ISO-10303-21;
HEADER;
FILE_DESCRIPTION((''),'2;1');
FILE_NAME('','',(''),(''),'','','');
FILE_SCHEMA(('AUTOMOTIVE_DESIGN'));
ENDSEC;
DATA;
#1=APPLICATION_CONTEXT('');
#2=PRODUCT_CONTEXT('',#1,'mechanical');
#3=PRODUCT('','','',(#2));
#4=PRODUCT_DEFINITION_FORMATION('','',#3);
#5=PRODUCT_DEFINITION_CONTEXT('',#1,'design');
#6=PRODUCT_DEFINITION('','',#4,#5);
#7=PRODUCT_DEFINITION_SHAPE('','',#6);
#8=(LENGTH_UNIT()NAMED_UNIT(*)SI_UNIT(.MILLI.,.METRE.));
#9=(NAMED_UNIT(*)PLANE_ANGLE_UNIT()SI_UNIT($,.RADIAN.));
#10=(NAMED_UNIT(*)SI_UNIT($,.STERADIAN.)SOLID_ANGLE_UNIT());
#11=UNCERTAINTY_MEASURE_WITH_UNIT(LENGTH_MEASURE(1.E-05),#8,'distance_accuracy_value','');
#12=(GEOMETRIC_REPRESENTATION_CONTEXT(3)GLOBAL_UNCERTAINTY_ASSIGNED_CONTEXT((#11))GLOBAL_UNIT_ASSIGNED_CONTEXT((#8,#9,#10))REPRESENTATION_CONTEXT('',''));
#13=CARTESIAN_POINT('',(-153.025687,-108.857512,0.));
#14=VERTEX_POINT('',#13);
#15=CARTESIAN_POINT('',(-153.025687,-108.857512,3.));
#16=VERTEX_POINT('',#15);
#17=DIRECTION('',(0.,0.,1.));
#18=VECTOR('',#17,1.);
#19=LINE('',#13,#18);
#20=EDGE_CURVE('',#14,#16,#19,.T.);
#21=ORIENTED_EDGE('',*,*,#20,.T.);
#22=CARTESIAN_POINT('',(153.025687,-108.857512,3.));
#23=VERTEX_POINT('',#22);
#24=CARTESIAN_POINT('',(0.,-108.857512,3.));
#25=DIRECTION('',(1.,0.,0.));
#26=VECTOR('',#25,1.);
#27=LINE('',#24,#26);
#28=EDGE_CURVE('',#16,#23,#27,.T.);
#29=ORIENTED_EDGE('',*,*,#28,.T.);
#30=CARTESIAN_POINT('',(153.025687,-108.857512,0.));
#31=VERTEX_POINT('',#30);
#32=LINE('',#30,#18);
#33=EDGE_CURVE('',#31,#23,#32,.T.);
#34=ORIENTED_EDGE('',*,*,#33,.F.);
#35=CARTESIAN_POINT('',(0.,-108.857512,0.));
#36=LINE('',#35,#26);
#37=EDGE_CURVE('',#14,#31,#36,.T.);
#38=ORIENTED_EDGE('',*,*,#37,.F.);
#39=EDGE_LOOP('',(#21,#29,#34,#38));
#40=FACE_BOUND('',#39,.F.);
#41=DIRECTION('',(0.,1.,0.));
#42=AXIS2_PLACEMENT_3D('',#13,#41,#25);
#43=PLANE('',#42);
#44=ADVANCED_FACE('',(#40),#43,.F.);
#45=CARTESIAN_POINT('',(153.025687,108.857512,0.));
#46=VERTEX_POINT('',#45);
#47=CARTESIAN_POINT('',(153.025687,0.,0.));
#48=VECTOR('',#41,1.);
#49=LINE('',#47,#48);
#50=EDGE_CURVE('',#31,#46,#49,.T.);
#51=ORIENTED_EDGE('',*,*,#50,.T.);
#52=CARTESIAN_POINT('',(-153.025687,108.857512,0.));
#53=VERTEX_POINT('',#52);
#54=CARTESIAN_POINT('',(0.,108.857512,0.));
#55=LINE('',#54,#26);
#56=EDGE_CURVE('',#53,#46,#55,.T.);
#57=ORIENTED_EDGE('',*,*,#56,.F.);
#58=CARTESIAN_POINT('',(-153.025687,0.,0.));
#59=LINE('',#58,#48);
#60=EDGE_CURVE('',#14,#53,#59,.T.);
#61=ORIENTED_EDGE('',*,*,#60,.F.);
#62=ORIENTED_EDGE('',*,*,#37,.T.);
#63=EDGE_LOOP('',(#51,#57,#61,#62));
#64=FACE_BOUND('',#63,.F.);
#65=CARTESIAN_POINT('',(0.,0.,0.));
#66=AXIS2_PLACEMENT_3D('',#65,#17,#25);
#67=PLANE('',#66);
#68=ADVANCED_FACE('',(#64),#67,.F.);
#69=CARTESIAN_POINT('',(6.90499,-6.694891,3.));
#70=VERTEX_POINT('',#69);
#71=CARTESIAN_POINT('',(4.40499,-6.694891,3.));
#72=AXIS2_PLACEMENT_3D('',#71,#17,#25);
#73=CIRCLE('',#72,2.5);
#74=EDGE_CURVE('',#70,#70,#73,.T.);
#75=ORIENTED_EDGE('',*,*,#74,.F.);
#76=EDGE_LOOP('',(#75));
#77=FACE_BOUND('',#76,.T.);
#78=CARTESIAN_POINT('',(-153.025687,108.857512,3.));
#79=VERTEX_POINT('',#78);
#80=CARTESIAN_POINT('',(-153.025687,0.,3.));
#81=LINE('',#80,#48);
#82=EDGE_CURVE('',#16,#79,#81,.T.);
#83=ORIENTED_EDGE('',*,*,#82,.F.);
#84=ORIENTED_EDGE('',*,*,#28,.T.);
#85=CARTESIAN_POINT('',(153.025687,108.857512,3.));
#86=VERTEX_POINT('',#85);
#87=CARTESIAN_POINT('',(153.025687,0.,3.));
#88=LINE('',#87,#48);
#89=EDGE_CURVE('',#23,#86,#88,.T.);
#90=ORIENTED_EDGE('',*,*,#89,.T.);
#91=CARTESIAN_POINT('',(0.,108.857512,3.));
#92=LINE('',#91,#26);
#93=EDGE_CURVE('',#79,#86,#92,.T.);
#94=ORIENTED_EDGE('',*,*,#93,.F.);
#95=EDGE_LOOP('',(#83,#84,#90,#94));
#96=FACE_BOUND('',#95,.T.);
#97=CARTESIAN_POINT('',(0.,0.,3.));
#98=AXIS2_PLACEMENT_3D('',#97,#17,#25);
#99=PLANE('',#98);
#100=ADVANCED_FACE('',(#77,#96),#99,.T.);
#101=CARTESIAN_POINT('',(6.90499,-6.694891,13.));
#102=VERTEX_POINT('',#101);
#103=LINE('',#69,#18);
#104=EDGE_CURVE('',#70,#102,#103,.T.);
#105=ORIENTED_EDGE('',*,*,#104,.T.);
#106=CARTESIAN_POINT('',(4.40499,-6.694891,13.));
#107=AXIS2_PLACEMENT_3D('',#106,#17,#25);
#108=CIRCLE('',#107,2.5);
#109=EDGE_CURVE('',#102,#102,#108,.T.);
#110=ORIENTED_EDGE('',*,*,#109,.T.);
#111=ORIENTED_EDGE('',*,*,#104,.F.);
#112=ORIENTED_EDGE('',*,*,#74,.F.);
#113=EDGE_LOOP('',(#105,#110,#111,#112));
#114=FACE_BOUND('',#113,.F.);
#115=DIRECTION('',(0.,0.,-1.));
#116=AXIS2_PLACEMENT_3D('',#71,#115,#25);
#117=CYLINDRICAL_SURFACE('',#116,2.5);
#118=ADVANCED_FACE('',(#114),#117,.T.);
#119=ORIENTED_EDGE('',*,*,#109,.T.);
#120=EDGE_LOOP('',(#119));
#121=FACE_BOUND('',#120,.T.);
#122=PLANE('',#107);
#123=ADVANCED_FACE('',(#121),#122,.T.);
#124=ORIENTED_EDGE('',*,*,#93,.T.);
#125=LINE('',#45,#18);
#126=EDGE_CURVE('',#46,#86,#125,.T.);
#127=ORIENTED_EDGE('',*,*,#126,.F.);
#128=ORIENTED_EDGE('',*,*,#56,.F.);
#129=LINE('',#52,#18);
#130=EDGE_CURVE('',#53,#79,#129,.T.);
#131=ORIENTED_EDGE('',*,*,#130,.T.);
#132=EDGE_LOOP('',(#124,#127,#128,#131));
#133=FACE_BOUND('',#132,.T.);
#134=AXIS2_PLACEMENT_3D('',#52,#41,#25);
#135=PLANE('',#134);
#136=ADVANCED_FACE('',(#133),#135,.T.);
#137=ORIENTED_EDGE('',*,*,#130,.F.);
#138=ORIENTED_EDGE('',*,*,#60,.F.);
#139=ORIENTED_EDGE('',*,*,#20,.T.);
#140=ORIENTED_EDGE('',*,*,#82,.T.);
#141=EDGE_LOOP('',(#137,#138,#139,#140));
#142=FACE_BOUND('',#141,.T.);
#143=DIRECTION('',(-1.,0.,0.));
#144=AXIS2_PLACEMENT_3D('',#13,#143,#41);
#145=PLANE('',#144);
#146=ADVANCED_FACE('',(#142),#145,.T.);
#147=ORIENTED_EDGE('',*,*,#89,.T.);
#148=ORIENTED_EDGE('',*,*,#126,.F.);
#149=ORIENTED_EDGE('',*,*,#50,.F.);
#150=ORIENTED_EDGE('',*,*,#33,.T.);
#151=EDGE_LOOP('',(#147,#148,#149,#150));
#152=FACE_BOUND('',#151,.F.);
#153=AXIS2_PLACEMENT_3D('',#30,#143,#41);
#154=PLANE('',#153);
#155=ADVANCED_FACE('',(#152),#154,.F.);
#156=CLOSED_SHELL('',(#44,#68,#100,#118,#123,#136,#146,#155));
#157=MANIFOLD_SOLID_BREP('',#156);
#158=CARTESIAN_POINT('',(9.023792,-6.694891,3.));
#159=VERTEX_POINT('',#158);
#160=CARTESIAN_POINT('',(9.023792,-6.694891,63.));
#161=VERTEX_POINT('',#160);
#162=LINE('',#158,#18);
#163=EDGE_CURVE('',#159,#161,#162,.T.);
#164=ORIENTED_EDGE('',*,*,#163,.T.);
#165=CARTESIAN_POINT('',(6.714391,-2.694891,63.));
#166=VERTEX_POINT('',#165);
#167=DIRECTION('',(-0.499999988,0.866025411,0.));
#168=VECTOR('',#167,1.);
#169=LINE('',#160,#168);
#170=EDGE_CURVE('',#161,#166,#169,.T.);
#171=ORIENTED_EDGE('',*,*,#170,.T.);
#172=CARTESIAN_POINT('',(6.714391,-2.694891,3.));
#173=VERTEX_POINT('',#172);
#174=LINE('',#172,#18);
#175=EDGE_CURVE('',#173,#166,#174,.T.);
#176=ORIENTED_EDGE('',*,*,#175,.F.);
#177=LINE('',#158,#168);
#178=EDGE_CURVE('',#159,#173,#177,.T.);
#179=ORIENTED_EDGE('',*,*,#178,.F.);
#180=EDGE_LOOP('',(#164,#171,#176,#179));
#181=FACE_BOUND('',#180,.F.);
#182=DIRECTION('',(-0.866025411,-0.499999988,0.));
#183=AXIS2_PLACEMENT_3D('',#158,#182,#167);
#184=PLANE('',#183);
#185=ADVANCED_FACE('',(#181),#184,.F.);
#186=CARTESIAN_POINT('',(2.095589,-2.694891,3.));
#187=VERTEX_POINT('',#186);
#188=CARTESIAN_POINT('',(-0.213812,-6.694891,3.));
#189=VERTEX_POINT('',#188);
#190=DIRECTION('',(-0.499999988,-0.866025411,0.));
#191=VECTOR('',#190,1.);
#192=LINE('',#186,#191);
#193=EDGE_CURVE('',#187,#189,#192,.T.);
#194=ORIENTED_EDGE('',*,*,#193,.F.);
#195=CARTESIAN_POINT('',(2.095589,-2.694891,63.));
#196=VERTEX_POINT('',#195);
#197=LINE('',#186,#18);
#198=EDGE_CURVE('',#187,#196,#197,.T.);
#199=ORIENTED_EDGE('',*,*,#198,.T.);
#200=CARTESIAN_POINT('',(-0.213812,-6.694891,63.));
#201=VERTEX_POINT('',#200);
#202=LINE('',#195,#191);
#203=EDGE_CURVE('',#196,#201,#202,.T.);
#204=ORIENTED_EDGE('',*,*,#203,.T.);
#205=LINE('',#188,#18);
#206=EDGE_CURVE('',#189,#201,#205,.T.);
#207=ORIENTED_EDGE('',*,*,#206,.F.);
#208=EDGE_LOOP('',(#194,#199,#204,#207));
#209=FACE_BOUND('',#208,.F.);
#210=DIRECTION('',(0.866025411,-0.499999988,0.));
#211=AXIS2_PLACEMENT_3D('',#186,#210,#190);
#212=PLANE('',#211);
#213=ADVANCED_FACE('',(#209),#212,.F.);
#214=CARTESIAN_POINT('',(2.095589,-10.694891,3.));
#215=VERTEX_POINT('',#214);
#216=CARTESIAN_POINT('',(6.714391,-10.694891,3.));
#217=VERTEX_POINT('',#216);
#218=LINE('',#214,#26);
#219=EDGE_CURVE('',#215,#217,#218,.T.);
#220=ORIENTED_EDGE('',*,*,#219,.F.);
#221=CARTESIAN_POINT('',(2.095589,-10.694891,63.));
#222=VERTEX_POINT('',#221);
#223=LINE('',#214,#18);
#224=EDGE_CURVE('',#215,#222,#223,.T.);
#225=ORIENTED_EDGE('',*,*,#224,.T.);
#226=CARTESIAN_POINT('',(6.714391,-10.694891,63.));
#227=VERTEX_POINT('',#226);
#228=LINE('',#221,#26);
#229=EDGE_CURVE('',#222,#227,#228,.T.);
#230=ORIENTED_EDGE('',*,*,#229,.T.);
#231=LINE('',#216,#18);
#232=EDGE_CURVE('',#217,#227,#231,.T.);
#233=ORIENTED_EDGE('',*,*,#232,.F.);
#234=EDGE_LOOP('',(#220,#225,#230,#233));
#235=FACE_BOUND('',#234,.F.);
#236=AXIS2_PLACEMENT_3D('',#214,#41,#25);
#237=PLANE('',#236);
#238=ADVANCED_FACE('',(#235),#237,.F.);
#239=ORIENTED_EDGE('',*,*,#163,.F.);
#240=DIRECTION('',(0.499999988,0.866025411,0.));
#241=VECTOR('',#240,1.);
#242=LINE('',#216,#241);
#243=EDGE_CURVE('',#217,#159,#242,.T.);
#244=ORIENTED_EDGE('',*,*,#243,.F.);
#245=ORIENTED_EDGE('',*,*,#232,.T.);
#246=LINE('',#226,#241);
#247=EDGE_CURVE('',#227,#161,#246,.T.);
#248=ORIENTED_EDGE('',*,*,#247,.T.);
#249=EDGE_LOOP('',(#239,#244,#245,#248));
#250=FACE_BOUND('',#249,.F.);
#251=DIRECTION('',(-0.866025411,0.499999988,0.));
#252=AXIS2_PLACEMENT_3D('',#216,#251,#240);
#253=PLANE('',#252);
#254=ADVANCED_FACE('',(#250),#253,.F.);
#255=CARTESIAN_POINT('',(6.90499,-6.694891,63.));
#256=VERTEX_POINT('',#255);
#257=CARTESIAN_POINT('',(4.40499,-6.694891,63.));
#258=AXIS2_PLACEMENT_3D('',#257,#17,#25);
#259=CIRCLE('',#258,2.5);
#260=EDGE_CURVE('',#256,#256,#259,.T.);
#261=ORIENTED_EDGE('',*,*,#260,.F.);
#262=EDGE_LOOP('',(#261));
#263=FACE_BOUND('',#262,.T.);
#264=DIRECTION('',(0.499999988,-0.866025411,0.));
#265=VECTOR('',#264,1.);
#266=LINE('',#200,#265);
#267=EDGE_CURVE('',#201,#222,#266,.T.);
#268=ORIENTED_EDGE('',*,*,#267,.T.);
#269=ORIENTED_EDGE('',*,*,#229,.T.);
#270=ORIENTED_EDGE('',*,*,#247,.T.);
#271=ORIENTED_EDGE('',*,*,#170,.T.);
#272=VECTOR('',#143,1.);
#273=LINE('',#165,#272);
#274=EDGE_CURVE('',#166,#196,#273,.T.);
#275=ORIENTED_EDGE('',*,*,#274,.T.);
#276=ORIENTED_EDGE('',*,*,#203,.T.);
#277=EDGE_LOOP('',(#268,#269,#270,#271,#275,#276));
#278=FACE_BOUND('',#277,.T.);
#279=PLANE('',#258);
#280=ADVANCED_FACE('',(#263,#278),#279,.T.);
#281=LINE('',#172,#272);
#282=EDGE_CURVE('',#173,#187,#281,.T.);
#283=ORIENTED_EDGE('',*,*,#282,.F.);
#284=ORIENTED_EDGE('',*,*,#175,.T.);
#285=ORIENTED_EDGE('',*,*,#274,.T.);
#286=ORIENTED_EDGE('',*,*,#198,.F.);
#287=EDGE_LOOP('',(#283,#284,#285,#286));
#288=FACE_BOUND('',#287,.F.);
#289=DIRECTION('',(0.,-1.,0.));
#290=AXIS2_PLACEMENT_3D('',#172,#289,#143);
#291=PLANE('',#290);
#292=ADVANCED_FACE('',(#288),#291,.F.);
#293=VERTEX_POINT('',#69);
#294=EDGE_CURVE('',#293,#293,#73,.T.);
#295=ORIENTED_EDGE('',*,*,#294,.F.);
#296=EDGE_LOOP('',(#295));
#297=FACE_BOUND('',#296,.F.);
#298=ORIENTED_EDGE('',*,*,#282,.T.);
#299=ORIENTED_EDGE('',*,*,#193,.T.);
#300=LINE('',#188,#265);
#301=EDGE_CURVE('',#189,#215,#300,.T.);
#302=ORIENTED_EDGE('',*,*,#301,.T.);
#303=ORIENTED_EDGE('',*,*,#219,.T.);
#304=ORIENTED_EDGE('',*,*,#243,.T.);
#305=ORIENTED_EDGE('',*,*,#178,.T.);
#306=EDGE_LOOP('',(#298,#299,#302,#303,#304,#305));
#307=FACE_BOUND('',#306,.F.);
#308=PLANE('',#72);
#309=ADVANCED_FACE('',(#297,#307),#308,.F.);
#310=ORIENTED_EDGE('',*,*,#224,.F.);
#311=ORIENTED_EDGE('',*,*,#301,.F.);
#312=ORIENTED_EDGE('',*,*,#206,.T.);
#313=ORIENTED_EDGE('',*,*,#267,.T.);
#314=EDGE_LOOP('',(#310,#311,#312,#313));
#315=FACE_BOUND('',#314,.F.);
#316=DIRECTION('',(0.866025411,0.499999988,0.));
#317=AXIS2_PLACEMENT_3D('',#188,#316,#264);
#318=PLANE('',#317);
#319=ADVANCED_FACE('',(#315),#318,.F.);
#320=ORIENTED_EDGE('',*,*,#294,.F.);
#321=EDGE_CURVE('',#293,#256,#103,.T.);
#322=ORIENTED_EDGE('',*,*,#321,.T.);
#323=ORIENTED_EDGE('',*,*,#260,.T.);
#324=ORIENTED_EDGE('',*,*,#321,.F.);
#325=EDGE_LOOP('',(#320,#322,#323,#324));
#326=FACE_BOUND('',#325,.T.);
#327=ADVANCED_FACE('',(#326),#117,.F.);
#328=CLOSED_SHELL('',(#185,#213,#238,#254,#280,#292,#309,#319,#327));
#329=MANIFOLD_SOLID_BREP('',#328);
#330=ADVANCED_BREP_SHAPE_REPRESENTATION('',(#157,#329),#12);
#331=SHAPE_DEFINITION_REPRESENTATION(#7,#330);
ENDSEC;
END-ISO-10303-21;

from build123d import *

# Parameters (mm, degrees)
F0_W     = 306.051374
F0_H     = 217.715024
F1_DEPTH = 3
F2_R     = 2.5
F3_DEPTH = 10
F4_DEPTH = 60


with BuildPart() as f1:
    # F0 (on Top) → F1 (new body)
    with BuildSketch(Plane.XY):
        Rectangle(F0_W, F0_H)
    extrude(amount=F1_DEPTH)

    # F2 (on face) → F3 (join)
    with BuildSketch(Plane.XY.offset(3)):
        with Locations((4.40499, -6.694891)):
            Circle(F2_R)
    extrude(amount=F3_DEPTH)


with BuildPart() as f4:
    # F2 (on face) → F4 (new body)
    with BuildSketch(Plane.XY.offset(3)):
        Polygon((6.714391, -2.694891), (2.095589, -2.694891), (-0.213812, -6.694891), (2.095589, -10.694891), (6.714391, -10.694891), (9.023792, -6.694891), align=None)
        with Locations((4.40499, -6.694891)):
            Circle(F2_R, mode=Mode.SUBTRACT)
    extrude(amount=F4_DEPTH)


solid = Compound([f1.part, f4.part])
